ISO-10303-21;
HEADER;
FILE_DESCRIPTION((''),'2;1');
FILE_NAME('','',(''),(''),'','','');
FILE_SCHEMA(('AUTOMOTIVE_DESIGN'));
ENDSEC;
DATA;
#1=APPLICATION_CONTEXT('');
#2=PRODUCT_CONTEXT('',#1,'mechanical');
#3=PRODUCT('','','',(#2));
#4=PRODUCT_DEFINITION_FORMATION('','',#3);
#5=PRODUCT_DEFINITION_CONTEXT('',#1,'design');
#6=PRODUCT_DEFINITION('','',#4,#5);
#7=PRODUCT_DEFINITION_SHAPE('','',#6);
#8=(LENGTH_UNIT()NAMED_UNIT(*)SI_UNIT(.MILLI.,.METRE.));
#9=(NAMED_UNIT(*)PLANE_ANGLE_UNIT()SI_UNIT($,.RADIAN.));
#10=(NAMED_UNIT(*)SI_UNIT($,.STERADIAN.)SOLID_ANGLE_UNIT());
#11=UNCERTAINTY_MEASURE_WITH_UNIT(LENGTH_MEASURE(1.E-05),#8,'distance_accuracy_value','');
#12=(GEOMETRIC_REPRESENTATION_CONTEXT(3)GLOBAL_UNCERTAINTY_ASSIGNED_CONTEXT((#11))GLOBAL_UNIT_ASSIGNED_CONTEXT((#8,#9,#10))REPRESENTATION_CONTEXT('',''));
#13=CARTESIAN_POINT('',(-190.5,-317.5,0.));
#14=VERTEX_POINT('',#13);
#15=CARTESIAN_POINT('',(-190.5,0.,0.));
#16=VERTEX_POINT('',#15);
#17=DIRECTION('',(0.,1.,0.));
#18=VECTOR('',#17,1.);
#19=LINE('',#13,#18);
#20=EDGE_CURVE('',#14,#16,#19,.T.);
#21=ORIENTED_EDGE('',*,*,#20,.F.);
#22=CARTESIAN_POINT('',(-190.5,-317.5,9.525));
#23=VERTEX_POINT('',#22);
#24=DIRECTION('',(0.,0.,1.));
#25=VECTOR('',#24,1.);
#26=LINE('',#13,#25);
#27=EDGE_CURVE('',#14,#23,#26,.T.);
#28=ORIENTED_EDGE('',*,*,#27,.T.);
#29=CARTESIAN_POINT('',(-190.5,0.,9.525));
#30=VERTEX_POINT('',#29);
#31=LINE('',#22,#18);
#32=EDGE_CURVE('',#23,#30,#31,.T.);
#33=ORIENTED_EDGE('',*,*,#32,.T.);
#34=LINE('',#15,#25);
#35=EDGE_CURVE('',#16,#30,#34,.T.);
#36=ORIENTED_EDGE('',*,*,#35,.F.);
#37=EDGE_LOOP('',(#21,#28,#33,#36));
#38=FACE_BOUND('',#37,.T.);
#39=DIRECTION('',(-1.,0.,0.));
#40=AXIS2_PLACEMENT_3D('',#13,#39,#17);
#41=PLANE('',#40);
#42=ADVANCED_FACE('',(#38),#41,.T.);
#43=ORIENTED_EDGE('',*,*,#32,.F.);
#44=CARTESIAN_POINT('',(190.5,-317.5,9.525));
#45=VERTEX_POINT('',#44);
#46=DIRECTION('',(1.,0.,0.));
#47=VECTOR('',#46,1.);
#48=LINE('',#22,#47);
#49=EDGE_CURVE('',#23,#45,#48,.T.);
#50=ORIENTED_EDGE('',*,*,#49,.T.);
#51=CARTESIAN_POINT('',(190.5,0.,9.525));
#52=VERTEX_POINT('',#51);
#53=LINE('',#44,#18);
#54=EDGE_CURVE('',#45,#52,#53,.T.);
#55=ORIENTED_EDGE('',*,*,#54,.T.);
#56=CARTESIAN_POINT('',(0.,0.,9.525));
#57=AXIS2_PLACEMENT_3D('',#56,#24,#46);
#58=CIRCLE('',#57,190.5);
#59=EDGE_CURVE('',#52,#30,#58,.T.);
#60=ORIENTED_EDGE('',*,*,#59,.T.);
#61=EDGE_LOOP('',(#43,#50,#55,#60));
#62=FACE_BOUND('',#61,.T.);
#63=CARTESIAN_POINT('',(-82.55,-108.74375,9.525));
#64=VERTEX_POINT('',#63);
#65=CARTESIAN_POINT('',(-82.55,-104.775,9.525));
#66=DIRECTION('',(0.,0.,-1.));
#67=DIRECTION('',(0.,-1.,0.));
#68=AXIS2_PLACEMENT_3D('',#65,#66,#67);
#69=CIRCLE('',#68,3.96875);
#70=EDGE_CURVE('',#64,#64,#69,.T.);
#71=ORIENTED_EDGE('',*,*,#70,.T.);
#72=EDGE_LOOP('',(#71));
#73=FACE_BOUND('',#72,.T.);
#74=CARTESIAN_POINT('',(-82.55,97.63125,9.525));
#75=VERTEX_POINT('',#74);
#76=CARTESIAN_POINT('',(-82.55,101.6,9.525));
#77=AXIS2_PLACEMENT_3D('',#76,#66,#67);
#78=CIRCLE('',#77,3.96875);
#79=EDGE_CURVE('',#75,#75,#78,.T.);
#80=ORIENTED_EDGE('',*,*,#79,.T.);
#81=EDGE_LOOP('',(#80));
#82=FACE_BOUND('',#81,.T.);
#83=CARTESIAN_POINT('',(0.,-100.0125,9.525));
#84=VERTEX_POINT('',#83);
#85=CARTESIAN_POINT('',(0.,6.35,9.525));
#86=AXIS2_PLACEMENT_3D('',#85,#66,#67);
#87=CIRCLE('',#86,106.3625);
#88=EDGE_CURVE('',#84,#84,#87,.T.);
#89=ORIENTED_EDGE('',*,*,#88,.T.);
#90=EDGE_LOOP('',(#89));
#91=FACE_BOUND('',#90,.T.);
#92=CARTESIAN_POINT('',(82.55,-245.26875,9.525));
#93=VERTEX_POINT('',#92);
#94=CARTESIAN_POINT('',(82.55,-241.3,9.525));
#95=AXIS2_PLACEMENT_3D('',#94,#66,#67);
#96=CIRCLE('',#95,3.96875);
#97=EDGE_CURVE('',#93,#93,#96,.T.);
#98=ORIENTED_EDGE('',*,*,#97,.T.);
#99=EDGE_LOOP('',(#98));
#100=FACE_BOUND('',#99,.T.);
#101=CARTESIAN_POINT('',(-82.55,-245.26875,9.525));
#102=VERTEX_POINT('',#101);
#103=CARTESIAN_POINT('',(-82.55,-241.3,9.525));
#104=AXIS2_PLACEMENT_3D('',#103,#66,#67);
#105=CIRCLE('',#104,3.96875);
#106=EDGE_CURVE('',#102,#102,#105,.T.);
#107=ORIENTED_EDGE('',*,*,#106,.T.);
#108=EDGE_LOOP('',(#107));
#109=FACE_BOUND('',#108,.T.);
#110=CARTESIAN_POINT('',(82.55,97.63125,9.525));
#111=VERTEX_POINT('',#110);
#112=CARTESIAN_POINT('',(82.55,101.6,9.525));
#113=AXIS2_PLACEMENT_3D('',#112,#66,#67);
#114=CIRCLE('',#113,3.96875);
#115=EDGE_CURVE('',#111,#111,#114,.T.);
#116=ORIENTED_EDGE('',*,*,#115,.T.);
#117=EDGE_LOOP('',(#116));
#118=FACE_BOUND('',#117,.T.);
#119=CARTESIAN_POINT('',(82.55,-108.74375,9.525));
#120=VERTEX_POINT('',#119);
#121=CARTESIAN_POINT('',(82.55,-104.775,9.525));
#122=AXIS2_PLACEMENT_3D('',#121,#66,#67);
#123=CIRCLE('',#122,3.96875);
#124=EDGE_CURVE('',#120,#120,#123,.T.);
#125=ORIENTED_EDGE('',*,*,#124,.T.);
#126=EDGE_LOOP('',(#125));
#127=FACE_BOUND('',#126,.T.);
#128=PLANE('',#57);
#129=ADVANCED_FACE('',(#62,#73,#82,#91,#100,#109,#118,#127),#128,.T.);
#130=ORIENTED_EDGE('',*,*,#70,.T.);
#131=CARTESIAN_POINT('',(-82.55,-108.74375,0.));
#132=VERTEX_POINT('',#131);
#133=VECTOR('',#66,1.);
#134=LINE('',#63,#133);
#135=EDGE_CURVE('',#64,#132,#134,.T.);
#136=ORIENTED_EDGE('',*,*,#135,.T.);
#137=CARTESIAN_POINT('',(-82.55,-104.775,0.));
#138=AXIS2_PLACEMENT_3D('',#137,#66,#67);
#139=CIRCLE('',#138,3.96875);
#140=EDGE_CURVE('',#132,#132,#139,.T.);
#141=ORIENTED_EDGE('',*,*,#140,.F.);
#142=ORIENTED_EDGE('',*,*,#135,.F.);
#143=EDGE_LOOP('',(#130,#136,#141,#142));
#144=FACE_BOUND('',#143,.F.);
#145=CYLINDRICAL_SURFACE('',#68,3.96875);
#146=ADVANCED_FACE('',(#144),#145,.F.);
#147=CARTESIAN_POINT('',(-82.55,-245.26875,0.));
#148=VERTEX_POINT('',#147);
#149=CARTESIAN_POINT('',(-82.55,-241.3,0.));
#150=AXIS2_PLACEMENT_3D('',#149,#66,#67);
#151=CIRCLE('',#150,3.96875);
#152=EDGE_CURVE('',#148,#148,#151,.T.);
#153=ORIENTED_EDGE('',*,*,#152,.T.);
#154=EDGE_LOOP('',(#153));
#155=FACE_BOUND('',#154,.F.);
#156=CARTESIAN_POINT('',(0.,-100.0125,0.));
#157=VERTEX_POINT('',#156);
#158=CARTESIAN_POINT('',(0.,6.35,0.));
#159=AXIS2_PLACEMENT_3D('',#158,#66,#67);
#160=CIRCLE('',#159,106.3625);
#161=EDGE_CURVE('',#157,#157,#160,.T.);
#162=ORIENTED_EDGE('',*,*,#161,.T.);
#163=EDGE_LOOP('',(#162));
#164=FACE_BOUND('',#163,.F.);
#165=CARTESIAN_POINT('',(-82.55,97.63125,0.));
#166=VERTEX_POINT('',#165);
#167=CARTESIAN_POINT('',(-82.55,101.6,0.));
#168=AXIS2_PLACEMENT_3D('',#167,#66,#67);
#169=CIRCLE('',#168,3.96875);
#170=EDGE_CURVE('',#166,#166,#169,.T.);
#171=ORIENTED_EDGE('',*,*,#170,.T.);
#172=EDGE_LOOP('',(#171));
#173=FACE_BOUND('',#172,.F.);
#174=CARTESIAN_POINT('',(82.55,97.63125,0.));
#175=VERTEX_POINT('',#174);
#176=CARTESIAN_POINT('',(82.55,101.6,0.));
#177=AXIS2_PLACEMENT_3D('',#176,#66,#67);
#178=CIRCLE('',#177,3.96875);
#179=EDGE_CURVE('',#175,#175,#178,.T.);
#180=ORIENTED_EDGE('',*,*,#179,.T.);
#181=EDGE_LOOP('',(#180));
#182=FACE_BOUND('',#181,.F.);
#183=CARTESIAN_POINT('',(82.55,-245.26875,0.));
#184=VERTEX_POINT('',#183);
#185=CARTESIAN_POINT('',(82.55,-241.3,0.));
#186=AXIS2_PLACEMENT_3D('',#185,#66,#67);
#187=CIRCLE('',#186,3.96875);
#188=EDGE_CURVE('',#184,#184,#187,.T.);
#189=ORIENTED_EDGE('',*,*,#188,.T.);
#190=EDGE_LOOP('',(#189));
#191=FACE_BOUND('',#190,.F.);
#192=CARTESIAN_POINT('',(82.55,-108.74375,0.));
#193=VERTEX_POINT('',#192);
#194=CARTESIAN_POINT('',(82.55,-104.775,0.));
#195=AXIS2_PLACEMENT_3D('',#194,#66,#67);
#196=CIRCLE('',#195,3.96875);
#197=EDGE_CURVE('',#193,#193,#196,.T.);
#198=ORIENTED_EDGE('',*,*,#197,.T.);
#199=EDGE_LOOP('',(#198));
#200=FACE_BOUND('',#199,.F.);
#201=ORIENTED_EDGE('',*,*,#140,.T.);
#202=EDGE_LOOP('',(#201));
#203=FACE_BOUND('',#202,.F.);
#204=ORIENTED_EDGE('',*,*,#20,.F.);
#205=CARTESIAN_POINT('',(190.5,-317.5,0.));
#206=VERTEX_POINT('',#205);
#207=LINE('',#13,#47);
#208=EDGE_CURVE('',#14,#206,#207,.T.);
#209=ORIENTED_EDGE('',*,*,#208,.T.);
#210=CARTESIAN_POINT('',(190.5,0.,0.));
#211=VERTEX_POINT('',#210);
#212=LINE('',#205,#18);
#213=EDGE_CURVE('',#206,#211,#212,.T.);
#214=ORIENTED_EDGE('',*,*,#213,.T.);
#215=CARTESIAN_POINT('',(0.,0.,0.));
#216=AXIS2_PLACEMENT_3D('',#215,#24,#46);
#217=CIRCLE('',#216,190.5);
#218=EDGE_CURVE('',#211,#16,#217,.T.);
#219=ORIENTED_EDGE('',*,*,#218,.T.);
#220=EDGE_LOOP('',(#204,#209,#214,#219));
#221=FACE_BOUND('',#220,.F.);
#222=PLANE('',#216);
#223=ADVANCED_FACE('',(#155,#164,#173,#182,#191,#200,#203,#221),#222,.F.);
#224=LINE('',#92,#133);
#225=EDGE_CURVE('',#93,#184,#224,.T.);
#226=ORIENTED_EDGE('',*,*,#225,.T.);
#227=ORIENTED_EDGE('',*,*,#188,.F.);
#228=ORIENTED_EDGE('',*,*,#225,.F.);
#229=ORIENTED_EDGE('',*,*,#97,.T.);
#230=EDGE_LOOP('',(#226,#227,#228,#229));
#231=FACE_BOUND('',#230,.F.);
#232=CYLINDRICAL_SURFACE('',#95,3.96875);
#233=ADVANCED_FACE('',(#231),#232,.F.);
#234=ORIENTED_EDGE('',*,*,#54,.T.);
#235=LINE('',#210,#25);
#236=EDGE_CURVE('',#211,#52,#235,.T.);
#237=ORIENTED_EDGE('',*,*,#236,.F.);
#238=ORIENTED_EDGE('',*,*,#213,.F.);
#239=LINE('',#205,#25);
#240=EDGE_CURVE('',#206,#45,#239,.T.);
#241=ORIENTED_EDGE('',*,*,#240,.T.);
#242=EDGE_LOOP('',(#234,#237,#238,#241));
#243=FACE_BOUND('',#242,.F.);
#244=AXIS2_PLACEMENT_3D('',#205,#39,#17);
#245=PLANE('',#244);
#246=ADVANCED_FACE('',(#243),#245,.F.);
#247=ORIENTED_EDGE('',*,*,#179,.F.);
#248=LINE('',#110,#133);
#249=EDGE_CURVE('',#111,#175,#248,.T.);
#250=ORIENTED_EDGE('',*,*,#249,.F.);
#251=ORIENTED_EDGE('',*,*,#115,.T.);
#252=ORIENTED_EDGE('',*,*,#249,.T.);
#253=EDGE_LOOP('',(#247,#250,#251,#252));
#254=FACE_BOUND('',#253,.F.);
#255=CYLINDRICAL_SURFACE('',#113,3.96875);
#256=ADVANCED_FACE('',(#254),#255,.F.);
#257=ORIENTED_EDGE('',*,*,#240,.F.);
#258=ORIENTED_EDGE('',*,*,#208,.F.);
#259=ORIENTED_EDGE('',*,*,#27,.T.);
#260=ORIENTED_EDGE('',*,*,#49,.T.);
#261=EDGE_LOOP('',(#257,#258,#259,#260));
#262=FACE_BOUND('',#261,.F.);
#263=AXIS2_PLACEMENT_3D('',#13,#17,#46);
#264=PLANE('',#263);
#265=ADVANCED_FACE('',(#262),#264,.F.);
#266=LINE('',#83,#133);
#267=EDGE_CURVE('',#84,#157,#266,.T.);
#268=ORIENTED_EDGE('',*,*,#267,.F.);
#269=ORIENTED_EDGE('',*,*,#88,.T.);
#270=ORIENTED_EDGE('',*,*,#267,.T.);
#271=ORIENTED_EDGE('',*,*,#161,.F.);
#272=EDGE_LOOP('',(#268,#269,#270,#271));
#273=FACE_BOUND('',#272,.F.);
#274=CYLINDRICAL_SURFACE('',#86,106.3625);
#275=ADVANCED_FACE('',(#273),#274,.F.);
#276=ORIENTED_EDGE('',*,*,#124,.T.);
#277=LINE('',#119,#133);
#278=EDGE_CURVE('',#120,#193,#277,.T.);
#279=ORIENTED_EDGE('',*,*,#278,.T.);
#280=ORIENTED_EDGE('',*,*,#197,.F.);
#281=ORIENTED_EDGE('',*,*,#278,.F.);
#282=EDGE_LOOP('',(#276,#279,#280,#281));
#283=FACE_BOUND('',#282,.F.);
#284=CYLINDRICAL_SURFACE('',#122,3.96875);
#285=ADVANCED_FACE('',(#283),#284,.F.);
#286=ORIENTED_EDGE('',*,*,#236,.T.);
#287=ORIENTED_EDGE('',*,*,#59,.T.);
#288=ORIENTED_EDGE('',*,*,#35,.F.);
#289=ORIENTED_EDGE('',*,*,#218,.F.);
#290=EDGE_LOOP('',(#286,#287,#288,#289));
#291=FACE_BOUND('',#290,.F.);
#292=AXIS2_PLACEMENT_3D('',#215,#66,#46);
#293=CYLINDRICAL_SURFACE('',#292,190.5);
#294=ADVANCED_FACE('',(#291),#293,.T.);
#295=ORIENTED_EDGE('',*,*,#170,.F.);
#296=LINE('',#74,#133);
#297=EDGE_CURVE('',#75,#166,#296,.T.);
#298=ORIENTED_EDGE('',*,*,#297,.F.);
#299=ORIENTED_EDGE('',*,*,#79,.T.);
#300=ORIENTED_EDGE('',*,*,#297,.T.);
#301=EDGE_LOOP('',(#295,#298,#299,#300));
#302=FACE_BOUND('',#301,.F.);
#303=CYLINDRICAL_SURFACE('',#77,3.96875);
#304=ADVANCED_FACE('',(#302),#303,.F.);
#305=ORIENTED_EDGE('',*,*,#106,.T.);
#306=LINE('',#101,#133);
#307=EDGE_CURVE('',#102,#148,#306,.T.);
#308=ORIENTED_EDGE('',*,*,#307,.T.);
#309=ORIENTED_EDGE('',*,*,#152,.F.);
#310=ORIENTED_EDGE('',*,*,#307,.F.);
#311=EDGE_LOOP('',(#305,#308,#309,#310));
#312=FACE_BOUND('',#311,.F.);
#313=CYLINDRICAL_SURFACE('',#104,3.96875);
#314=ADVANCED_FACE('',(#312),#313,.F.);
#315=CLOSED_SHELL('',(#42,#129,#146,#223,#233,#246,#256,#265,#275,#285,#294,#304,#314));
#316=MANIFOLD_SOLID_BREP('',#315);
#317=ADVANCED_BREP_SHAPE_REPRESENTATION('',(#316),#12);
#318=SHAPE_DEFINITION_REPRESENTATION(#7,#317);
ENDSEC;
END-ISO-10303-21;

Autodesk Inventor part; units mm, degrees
ref_plane "YZ Plane" through (0, 0, 0) normal (1, 0, 0) x (0, 1, 0)
ref_plane "XZ Plane" through (0, 0, 0) normal (0, 1, 0) x (-1, 0, 0)
ref_plane "XY Plane" through (0, 0, 0) normal (0, 0, 1) x (1, 0, 0)
sketch "Sketch1" plane through (0, 0, 0) normal (0, 0, 1) x (1, 0, 0)
  line L0 (-190.5, -317.5) -> (190.5, -317.5)
  line L1 (190.5, -317.5) -> (190.5, 0)
  line L2 (-190.5, -317.5) -> (-190.5, 0)
  arc A0 (190.5, 0) -> (-190.5, 0) centre (0, 0) ccw
  dimension "d0" = 508
  dimension "d1" = 381
extrude "Extrusion1" add sketch "Sketch1" along normal blind 9.525
hole "Hole1" at (82.55, -241.3, 9.525) direction (0, 0, -1) diameter 7.9375 depth 25.4 tip angle 118
hole "Hole2" at (-82.55, -241.3, 9.525) direction (0, 0, -1) diameter 7.9375 depth 25.4 tip angle 118
hole "Hole3" at (82.55, -104.775, 9.525) direction (0, 0, -1) diameter 7.9375 depth 25.4 tip angle 118
hole "Hole4" at (-82.55, -104.775, 9.525) direction (0, 0, -1) diameter 7.9375 depth 25.4 tip angle 118
hole "Hole5" at (-82.55, 101.6, 9.525) direction (0, 0, -1) diameter 7.9375 depth 25.4 tip angle 118
hole "Hole6" at (82.55, 101.6, 9.525) direction (0, 0, -1) diameter 7.9375 depth 25.4 tip angle 118
hole "Hole7" at (0, 6.35, 9.525) direction (0, 0, -1) diameter 212.725 depth 25.4 tip angle 118
properties part number "Top_Deck"
